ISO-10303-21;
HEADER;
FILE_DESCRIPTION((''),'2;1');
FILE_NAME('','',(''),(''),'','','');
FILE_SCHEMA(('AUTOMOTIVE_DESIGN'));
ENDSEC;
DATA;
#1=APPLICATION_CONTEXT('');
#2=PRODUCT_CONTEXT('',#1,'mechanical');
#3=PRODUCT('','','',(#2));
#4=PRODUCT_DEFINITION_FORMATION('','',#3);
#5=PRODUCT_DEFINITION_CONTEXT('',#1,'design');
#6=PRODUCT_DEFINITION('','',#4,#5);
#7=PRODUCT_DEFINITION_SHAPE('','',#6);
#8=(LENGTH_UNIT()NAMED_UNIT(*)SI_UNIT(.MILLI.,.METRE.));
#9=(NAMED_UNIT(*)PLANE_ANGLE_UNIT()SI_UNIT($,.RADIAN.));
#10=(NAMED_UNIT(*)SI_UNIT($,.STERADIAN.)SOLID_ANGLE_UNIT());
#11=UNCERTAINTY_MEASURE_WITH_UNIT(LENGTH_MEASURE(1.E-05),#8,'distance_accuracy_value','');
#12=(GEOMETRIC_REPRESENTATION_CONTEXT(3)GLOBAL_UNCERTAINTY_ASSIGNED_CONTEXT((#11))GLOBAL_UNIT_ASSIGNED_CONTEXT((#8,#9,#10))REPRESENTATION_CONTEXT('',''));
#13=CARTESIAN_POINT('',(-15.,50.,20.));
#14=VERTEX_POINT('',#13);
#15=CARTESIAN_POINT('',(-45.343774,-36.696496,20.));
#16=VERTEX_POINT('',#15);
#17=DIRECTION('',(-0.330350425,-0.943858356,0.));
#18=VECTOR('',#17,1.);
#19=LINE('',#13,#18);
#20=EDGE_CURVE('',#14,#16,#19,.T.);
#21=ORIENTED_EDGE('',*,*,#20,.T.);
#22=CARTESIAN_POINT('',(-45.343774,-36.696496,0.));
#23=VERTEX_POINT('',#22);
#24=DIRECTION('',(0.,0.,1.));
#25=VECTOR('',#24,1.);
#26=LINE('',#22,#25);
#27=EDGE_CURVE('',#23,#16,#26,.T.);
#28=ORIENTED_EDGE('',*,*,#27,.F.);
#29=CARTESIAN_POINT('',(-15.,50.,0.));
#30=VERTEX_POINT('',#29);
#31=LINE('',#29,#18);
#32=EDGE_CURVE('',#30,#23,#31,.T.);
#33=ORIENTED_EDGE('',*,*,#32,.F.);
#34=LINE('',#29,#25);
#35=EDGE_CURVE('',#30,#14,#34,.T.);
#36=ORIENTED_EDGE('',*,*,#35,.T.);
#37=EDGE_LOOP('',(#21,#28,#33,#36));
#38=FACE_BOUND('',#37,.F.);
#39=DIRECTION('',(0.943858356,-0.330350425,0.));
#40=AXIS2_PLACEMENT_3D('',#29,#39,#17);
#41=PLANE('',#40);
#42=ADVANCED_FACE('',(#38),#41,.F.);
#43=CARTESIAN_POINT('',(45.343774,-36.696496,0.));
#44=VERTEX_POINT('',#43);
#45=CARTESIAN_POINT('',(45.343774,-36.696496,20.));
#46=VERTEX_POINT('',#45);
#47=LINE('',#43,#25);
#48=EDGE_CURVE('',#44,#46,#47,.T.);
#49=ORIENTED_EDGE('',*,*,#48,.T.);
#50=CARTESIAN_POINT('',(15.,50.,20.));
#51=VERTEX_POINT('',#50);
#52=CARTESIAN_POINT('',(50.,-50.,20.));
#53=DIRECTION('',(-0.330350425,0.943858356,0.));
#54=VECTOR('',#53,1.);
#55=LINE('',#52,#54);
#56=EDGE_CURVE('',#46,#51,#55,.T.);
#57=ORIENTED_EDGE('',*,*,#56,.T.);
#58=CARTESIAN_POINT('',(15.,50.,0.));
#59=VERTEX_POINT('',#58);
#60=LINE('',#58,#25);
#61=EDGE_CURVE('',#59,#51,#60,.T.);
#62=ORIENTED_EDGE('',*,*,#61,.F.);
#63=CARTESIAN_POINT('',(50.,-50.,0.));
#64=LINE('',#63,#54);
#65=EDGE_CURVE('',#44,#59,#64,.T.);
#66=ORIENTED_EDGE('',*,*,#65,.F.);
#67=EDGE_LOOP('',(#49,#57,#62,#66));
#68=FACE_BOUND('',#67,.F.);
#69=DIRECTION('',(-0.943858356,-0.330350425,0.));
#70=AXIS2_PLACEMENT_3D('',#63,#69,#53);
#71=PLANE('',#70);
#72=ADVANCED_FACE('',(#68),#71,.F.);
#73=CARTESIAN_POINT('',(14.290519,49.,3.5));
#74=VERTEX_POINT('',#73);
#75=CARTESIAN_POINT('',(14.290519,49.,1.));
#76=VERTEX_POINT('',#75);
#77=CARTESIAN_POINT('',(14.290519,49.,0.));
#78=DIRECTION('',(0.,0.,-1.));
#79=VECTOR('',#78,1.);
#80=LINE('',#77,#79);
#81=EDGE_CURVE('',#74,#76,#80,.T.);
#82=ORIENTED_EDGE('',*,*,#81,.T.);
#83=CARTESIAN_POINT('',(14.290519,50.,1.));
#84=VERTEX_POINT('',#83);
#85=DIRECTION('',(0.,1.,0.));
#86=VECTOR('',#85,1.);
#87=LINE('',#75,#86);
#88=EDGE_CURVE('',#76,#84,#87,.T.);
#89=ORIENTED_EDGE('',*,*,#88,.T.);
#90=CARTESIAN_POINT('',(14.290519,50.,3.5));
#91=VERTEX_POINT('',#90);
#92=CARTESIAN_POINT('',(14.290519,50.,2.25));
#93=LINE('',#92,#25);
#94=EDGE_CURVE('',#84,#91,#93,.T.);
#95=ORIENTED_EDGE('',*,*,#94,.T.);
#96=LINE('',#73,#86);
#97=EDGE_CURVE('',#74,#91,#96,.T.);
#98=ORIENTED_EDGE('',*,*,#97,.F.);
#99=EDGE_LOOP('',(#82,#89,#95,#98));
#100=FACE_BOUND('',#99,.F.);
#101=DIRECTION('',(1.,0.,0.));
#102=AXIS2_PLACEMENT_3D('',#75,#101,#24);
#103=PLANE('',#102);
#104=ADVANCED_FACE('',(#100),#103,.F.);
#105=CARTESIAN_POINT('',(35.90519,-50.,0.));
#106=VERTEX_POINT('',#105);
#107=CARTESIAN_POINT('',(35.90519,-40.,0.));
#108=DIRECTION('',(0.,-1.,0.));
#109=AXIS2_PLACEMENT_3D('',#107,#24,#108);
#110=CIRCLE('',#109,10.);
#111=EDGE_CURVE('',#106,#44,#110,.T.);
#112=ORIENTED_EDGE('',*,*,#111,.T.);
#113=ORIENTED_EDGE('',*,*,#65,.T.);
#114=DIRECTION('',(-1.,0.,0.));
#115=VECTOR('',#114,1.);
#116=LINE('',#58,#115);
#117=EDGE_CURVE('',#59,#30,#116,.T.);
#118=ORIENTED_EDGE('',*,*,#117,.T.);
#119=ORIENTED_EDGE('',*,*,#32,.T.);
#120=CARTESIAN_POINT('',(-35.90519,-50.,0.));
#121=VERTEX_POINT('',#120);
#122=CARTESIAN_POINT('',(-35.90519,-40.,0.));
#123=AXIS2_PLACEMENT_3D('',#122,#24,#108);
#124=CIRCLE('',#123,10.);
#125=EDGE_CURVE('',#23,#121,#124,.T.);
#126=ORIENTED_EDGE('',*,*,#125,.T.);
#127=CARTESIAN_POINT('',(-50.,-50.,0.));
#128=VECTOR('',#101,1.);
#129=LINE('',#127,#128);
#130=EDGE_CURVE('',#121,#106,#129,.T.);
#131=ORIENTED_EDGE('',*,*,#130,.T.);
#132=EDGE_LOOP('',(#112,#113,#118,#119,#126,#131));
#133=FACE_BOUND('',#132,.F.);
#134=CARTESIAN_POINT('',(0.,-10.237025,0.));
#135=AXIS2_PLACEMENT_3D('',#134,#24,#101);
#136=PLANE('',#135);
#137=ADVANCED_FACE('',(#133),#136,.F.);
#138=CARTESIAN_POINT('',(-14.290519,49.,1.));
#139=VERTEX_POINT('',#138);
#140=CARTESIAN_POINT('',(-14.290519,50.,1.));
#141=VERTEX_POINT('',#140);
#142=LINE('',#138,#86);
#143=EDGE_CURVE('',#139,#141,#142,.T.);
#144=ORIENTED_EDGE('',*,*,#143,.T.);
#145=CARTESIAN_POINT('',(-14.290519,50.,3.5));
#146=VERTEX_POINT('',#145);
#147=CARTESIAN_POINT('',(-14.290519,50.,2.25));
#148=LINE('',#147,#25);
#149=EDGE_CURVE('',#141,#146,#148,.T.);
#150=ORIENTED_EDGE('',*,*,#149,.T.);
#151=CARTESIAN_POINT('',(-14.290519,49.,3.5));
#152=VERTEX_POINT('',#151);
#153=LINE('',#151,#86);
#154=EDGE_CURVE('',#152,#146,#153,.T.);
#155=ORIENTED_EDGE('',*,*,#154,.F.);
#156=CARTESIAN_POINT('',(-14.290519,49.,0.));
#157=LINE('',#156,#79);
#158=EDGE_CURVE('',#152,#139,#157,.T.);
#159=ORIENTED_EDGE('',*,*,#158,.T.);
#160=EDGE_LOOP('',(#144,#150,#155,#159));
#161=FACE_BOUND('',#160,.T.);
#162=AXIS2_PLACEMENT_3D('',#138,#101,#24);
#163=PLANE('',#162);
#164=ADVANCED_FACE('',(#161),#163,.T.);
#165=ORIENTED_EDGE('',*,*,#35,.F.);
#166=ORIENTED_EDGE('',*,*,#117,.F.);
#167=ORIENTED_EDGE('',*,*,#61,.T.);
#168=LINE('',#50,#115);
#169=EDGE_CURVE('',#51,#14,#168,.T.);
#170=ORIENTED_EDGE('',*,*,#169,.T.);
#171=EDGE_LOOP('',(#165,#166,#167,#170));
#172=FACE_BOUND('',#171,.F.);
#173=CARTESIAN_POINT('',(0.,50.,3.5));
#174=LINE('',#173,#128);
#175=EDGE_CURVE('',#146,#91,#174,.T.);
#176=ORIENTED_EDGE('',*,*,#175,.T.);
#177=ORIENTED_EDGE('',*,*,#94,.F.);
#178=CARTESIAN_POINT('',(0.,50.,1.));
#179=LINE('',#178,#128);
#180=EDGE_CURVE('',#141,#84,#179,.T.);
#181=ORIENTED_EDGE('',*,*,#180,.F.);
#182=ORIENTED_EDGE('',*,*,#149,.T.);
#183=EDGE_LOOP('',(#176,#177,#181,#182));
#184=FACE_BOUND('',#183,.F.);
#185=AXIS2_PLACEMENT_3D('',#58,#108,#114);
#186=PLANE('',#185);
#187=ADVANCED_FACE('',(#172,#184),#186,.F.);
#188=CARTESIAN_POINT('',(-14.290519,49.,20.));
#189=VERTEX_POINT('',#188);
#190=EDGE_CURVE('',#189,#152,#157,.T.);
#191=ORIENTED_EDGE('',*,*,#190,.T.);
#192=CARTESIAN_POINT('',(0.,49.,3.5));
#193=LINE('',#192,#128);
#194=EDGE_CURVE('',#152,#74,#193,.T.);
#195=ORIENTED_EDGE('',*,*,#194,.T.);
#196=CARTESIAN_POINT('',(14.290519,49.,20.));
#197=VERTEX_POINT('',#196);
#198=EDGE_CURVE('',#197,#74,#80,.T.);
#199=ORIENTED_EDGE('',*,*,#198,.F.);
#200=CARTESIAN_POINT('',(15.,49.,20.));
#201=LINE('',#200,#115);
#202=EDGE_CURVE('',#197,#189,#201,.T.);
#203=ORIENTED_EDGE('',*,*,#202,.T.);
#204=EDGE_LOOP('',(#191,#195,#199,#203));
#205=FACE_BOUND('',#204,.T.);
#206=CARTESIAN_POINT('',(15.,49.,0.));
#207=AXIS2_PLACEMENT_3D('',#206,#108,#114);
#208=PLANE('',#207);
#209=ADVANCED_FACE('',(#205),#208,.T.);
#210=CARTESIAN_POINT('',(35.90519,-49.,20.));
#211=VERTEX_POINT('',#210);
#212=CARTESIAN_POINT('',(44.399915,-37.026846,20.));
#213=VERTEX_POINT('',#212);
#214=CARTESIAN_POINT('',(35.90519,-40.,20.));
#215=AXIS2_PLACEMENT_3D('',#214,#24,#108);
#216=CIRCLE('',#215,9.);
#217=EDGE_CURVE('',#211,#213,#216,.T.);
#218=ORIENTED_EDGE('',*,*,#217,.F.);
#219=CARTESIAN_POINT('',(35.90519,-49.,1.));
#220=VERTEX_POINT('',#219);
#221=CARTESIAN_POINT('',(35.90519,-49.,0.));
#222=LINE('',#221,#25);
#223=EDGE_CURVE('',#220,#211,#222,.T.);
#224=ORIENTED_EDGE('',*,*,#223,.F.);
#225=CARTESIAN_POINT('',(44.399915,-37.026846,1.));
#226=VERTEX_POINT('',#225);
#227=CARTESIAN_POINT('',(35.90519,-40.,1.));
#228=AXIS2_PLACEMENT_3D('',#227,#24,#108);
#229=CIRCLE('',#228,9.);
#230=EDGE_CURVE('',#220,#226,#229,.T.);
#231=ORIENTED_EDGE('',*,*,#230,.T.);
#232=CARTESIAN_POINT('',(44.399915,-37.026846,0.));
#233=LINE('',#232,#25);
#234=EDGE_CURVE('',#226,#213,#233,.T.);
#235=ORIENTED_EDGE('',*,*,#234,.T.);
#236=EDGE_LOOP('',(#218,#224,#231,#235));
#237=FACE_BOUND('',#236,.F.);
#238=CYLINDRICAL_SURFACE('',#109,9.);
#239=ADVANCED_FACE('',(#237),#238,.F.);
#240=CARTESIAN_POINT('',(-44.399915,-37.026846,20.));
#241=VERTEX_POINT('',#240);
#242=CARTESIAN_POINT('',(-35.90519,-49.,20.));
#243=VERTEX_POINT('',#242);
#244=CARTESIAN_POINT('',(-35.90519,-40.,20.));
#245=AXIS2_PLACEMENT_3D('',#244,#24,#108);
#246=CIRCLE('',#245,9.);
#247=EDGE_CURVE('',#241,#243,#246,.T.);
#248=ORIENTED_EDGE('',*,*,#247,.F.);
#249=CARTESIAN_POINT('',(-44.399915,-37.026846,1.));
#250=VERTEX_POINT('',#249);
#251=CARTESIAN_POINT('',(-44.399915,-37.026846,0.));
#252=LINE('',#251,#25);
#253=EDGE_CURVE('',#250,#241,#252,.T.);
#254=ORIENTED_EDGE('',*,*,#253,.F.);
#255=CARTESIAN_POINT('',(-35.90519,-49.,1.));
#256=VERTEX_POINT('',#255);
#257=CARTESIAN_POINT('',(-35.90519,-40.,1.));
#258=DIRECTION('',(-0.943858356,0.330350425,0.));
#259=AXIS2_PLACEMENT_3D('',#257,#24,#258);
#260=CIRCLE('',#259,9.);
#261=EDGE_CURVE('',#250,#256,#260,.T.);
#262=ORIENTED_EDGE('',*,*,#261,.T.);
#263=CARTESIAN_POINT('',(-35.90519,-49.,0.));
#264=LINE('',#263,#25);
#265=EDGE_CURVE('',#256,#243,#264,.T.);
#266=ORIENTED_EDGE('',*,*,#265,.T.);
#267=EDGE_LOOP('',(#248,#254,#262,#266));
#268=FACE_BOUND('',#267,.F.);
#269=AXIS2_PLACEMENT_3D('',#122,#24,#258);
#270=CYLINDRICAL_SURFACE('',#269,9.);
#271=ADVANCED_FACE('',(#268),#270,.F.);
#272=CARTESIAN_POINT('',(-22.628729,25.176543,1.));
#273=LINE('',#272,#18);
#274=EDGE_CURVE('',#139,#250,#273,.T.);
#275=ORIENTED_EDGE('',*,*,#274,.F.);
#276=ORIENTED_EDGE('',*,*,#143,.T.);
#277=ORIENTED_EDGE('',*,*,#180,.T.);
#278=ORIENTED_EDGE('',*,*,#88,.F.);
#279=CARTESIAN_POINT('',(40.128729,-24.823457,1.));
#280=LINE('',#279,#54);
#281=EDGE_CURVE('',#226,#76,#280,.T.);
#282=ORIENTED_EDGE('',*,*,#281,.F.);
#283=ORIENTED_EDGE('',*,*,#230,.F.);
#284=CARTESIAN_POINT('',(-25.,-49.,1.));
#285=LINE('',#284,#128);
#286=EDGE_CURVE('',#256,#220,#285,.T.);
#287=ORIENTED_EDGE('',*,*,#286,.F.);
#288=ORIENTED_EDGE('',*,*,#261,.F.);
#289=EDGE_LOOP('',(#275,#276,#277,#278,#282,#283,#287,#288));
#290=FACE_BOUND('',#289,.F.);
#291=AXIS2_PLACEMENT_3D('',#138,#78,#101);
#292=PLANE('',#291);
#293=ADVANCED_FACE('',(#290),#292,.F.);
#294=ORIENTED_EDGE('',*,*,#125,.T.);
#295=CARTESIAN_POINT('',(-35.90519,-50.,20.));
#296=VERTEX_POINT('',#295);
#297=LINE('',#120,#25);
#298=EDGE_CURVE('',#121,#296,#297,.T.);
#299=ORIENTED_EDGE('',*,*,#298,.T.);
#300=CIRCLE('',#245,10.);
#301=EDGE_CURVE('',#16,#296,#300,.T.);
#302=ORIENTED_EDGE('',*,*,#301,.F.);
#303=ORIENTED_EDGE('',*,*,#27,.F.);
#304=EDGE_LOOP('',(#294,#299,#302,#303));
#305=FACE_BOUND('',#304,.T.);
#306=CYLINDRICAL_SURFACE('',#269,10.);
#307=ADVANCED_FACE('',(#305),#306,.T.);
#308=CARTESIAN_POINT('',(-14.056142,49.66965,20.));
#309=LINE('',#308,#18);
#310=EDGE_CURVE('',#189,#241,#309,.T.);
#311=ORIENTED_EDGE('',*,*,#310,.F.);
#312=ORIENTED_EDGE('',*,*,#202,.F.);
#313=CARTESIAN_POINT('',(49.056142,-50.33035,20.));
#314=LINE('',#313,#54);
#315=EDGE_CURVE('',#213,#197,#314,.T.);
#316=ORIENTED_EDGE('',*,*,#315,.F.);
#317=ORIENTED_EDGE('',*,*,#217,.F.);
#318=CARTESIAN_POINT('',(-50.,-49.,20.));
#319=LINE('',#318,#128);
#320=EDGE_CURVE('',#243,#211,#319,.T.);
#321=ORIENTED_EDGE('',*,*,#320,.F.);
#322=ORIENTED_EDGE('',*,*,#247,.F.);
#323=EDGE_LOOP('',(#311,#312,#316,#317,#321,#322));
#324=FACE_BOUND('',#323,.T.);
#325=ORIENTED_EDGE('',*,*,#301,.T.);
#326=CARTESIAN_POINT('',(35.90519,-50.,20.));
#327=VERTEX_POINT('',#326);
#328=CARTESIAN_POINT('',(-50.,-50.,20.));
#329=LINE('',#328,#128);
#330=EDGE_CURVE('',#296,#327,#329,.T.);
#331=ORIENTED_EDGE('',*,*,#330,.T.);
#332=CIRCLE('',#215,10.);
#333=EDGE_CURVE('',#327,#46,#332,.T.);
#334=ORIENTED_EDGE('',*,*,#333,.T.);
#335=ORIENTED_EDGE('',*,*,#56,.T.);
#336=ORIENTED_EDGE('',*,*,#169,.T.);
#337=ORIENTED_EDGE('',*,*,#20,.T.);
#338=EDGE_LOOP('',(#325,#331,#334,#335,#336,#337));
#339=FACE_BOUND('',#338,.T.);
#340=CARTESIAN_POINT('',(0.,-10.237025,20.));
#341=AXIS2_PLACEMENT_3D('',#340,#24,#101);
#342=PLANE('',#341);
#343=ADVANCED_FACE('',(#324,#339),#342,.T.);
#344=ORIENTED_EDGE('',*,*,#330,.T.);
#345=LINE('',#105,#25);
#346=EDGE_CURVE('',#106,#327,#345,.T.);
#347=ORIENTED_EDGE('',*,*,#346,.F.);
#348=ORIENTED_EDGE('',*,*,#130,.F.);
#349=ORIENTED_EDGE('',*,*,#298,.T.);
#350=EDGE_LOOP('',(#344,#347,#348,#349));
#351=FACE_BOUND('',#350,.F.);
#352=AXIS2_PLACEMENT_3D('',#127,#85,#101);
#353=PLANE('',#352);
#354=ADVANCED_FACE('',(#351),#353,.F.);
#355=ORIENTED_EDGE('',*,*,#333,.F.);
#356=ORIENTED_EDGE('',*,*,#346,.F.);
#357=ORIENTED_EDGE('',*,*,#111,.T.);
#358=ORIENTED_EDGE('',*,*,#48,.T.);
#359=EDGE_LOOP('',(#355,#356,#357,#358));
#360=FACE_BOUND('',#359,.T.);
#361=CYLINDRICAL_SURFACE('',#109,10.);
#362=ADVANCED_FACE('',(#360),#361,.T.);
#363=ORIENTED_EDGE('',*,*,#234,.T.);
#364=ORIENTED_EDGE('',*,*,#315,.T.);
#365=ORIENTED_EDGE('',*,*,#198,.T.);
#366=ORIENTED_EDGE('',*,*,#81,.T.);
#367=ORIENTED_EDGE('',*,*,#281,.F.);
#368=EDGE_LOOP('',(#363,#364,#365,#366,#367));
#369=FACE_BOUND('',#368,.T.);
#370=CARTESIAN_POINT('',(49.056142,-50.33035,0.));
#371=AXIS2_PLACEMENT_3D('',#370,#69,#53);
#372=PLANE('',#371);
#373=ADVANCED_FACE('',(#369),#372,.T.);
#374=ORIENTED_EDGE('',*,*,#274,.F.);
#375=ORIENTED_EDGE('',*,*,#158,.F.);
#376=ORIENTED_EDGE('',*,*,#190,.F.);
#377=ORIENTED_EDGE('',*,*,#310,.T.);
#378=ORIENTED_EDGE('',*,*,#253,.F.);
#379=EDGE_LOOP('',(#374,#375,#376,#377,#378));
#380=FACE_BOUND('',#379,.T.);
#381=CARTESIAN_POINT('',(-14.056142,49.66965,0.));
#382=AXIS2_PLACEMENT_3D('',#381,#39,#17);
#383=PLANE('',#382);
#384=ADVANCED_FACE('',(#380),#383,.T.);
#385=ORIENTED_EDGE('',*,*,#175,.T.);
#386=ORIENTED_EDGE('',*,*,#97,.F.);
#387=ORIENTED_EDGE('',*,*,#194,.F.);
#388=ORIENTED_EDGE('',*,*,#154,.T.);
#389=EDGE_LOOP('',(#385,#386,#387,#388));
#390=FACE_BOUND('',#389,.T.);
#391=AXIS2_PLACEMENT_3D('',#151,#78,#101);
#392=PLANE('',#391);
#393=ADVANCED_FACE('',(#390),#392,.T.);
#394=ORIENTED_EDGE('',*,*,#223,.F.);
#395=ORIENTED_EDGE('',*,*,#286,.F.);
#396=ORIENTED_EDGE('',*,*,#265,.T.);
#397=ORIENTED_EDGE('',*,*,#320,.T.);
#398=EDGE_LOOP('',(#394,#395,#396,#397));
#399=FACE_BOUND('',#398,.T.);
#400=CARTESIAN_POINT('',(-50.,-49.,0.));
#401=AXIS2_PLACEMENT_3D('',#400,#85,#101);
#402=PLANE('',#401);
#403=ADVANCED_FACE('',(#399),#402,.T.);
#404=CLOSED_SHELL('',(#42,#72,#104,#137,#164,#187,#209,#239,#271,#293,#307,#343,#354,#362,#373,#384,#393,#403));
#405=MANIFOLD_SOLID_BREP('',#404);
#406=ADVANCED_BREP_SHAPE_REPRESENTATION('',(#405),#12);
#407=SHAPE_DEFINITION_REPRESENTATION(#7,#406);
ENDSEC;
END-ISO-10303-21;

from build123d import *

# Parameters (mm, degrees)
F1_DEPTH = 20
F2_R     = 10
F3_T     = -1
F4_W     = 28.581038
F4_H     = 2.5
F5_DEPTH = 1


with BuildPart() as f1:
    # F0 (on Top) → F1 (new body)
    with BuildSketch(Plane.XY):
        Polygon((-15, 50), (-50, -50), (50, -50), (15, 50), align=None)
    extrude(amount=F1_DEPTH)

    # F2
    f2_edges = [f1.edges().sort_by_distance(p)[0] for p in [
        (-50, -50, 10),
        (50, -50, 10),
    ]]
    fillet(f2_edges, radius=F2_R)

    # F3
    f3_openings = [f1.faces().sort_by_distance(p)[0] for p in [
        (0, -8.435574, 20),
    ]]
    offset(amount=F3_T, openings=f3_openings)

    # F4 (on face) → F5 (cut, through all)
    with BuildSketch(Plane.XZ.offset(-49)):
        with Locations((0, 2.25)):
            Rectangle(F4_W, F4_H)
    extrude(amount=-F5_DEPTH, mode=Mode.SUBTRACT)


solid = f1.part
